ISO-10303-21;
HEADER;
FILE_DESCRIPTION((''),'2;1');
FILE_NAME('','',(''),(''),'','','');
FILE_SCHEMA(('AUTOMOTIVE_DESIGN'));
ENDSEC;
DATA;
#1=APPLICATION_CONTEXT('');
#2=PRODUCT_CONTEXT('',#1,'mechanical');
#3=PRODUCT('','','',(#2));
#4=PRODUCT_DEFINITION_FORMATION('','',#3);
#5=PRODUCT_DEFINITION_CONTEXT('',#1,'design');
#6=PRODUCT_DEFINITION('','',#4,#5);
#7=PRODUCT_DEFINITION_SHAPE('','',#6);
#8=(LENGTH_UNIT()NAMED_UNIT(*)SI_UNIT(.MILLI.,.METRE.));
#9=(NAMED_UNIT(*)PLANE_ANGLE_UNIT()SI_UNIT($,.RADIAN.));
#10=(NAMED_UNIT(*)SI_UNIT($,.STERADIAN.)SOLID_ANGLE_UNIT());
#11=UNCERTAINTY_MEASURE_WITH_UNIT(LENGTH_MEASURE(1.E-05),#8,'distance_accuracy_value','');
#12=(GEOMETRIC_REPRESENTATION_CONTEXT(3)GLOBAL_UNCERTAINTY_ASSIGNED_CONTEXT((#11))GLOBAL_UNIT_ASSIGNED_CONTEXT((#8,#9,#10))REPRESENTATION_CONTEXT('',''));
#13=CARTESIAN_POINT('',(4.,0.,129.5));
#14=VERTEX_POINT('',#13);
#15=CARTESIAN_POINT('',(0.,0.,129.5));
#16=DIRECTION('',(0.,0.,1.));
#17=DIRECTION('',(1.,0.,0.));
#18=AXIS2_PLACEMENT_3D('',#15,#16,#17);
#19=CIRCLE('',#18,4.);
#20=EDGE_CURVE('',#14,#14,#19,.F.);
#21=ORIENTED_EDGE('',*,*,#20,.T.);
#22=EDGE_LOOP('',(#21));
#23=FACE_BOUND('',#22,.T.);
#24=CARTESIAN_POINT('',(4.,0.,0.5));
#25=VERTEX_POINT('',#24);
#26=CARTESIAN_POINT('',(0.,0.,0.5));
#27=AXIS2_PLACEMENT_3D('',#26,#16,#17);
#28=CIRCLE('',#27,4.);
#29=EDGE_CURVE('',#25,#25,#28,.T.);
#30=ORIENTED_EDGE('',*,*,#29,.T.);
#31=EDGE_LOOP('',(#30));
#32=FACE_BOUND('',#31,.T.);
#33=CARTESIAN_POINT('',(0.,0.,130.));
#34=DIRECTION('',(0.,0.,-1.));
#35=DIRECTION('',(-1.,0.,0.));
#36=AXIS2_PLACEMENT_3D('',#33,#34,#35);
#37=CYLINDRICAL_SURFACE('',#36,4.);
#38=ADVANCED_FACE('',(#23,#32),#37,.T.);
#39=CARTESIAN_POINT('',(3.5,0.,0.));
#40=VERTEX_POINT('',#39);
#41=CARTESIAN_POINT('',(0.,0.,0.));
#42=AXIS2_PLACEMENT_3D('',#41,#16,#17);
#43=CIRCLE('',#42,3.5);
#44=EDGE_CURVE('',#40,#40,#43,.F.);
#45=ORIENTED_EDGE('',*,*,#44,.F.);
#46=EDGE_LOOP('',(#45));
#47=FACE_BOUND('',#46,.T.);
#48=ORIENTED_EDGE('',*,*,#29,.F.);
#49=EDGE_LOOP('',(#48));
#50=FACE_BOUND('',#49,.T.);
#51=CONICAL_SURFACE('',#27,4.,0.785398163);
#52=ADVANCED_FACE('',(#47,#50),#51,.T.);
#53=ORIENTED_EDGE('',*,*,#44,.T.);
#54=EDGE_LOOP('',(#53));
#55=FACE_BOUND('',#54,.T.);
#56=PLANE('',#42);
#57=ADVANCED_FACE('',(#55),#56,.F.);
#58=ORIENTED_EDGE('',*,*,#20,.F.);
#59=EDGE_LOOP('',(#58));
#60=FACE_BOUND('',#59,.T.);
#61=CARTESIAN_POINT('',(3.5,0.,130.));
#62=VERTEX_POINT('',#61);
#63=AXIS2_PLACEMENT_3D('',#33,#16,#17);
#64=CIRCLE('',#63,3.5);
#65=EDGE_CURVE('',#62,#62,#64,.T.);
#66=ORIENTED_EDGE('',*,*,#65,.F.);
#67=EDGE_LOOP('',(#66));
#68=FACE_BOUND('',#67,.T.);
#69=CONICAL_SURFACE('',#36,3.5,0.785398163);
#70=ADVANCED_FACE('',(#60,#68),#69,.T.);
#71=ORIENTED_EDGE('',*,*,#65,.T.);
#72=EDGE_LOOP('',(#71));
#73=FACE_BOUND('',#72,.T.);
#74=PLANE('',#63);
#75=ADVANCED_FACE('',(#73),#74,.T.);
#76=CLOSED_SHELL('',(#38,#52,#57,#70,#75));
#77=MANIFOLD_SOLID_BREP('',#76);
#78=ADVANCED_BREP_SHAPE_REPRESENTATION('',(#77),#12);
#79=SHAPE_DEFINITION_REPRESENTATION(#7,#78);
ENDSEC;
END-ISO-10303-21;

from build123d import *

# Parameters (mm, degrees)
SKETCH1_R           = 4
BOSS_EXTRUDE1_DEPTH = 130
CHAMFER1_SIZE       = 0.5


with BuildPart() as part:
    # Sketch1 → Boss-Extrude1 (new body)
    with BuildSketch(Plane.XY):
        Circle(SKETCH1_R)
    extrude(amount=BOSS_EXTRUDE1_DEPTH)

    # Chamfer1
    chamfer1_edges = [part.edges().sort_by_distance(p)[0] for p in [
        (-4, 0, 0),
        (-4, 0, 130),
    ]]
    chamfer(chamfer1_edges, length=CHAMFER1_SIZE)


solid = part.part
